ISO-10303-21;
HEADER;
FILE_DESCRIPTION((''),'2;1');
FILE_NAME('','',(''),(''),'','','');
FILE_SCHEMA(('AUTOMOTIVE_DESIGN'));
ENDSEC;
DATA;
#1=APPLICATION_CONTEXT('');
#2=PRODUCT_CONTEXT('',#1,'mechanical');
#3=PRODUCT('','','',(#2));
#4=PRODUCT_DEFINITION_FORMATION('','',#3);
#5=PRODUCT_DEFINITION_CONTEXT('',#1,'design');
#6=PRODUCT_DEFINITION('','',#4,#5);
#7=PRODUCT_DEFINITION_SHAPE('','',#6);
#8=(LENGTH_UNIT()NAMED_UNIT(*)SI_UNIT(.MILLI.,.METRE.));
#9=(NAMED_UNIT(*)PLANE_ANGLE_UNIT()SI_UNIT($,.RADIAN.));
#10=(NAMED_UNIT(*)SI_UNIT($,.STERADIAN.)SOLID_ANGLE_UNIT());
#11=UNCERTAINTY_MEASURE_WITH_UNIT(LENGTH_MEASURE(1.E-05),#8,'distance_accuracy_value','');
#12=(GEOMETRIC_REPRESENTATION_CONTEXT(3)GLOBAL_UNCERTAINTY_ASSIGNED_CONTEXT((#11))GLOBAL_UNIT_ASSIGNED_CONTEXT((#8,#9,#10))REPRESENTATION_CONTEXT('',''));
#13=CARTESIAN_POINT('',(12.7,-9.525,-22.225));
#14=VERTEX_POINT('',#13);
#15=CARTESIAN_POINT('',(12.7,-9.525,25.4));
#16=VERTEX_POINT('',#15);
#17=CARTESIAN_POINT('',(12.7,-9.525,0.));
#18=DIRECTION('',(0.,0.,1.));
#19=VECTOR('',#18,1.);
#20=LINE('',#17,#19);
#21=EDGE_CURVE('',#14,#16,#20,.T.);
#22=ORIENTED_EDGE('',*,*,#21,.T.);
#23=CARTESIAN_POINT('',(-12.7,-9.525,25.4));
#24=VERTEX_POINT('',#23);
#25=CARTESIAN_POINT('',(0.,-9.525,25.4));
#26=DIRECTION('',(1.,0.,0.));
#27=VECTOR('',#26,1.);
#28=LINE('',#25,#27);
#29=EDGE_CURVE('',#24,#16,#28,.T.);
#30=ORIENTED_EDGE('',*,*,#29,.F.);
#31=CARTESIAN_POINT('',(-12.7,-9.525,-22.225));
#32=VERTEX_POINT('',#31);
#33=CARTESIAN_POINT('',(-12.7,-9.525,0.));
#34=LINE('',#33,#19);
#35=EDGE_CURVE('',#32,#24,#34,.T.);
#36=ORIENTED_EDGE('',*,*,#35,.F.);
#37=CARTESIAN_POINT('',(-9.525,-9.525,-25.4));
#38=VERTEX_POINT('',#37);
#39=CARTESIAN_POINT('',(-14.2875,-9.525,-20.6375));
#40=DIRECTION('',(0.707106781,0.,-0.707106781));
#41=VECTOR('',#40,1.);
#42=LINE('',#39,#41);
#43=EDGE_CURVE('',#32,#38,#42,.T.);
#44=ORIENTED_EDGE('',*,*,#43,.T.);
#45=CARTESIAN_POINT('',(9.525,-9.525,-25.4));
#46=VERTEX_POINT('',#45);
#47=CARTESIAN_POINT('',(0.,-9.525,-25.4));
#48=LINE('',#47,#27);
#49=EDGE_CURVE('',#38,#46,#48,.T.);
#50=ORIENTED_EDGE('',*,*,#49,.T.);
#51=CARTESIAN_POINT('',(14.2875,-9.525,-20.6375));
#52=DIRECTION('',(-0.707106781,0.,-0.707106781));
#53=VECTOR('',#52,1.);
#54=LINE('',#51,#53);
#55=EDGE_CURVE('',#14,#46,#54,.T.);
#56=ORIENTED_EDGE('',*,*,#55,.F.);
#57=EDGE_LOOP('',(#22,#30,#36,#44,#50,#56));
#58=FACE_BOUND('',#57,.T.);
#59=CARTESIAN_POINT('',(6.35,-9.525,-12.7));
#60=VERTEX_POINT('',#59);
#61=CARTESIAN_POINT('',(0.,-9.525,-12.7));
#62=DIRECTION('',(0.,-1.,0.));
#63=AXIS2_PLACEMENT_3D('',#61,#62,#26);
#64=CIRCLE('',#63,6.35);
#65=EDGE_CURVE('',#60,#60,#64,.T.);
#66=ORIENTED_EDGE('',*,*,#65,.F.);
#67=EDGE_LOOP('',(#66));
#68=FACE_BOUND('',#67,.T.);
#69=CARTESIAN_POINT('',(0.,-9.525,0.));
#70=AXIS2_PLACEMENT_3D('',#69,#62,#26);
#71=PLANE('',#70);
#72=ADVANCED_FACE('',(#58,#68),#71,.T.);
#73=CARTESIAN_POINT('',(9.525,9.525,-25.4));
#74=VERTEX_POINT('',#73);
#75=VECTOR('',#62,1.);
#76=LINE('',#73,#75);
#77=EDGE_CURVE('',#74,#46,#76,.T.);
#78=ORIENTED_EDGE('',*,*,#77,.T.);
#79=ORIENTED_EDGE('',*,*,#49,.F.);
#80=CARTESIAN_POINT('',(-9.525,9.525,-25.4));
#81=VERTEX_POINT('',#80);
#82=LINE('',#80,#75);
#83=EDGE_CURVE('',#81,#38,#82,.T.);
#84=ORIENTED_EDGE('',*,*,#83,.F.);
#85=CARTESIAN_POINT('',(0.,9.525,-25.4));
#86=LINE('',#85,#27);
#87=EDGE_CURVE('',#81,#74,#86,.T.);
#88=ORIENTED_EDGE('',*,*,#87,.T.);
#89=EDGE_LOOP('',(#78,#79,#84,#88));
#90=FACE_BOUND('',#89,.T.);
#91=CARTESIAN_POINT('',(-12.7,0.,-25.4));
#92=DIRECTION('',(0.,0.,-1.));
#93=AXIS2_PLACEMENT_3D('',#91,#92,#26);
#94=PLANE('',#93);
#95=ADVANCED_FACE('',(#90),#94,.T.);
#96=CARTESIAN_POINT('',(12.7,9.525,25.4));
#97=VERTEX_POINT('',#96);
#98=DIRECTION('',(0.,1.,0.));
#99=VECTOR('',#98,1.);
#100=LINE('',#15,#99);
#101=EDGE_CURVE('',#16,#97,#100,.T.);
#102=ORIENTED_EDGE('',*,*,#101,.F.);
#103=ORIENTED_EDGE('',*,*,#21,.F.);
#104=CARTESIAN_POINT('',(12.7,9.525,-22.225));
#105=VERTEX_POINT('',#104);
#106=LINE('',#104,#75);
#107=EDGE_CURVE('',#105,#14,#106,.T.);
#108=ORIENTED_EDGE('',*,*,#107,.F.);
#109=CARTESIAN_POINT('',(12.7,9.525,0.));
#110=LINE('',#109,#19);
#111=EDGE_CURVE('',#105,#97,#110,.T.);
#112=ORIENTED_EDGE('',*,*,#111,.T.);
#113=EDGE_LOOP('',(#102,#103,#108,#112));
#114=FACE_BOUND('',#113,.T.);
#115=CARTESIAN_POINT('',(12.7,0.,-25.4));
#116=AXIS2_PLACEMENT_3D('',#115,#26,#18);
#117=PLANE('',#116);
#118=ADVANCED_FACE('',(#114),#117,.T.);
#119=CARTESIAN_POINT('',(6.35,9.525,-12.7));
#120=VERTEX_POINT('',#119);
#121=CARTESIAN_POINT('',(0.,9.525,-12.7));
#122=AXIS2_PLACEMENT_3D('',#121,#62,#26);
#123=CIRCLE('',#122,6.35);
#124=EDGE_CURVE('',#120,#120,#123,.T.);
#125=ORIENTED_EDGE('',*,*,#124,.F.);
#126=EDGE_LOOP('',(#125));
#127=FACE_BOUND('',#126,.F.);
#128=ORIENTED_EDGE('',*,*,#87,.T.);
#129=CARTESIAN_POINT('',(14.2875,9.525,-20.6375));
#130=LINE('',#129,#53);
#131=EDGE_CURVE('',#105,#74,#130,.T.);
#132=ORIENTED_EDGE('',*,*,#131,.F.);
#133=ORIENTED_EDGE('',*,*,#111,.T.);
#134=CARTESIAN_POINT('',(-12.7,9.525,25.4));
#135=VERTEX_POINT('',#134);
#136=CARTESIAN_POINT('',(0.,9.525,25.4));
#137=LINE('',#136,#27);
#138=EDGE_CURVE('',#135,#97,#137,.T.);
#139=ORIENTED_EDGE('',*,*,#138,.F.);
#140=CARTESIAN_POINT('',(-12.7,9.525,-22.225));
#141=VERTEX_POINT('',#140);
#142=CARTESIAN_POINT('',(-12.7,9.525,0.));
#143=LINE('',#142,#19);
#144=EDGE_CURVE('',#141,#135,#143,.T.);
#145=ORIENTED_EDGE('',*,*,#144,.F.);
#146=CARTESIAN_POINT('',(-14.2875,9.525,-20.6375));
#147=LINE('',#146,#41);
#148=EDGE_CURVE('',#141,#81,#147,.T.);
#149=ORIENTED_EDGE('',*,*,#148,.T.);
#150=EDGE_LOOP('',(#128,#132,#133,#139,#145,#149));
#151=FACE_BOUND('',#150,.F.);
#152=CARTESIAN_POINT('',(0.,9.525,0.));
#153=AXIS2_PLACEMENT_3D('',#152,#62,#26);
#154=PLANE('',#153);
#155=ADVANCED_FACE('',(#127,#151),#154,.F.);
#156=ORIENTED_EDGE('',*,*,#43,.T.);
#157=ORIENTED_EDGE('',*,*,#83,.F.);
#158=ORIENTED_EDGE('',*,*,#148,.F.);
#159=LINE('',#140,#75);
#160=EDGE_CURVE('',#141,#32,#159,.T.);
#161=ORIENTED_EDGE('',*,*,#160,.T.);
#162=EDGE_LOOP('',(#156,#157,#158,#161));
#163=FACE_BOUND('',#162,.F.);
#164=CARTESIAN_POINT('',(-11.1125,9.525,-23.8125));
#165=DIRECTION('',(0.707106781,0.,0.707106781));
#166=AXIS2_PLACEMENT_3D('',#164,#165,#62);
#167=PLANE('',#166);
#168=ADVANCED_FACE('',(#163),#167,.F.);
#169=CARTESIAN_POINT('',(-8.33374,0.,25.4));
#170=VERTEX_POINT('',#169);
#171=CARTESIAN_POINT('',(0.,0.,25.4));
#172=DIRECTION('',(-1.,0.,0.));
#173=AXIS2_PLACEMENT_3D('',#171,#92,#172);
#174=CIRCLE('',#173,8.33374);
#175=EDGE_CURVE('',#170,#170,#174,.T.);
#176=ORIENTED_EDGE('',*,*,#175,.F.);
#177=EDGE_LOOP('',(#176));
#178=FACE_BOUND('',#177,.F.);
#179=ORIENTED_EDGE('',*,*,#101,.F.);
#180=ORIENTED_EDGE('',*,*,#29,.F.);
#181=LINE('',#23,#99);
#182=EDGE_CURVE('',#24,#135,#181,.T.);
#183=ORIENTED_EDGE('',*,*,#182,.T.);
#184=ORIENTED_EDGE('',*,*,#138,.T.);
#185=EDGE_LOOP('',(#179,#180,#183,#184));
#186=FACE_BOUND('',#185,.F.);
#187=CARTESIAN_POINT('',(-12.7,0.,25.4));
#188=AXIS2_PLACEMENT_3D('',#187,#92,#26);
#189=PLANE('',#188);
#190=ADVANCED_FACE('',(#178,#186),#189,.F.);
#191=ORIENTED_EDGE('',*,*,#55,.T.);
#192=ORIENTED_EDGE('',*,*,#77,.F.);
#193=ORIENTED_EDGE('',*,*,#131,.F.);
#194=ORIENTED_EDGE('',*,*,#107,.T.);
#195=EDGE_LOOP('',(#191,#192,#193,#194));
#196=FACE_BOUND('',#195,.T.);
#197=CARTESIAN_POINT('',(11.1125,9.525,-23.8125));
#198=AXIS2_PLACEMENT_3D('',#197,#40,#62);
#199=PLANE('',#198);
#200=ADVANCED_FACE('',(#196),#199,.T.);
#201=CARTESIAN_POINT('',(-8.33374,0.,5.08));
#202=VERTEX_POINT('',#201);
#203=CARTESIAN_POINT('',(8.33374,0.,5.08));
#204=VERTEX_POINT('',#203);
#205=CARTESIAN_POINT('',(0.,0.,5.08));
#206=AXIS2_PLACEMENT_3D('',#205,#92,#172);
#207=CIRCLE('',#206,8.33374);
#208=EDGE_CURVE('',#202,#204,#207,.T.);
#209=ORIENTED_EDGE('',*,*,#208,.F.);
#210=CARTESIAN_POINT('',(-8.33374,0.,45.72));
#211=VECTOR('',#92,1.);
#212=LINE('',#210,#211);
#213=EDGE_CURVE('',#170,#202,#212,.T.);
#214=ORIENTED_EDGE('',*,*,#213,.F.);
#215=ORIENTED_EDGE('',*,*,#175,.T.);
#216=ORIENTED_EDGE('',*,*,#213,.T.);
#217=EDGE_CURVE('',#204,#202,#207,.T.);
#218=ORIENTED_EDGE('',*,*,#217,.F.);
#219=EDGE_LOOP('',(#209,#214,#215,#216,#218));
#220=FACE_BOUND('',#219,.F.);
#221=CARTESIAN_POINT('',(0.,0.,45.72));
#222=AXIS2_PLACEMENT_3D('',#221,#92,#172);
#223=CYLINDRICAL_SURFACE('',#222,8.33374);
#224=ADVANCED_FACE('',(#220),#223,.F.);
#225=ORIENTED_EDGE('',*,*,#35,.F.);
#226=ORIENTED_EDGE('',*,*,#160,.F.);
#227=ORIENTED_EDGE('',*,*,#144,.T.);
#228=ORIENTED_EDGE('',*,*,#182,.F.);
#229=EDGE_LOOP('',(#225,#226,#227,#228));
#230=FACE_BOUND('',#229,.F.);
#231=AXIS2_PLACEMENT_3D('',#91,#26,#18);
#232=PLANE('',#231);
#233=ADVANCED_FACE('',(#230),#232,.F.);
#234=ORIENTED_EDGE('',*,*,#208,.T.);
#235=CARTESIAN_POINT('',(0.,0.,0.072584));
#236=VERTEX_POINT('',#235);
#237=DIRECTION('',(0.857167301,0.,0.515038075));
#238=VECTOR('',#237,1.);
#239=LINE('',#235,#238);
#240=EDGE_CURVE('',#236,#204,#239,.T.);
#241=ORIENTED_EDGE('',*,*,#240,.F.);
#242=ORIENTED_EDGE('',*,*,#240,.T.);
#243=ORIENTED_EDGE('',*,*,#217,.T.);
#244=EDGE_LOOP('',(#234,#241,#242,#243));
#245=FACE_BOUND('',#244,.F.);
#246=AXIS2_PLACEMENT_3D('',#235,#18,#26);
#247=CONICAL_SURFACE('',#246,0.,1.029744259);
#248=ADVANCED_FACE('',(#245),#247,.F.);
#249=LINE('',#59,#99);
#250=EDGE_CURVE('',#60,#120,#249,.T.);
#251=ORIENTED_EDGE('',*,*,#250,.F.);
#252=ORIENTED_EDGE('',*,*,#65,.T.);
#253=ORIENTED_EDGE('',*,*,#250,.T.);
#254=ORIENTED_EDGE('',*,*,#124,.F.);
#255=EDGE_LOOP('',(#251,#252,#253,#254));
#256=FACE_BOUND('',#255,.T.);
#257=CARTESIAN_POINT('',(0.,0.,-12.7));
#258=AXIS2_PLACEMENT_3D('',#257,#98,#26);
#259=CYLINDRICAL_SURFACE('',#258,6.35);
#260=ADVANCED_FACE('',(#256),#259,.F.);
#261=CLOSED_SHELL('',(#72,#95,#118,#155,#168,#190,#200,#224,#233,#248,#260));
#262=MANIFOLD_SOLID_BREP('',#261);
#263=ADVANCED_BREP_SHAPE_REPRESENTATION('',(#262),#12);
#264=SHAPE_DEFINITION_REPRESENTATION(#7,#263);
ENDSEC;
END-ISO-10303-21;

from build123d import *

# Parameters (mm, degrees)
F0_W     = 25.4
F0_H     = 50.8
F0_R     = 6.35
F1_DEPTH = 9.525
F2_SIZE  = 3.175
F4_D     = 16.66748
F4_DEPTH = 20.32
F4_TIP   = 5.0074161752


with BuildPart() as f1:
    # F0 (on Front) → F1 (new body, symmetric)
    with BuildSketch(Plane.XZ):
        Rectangle(F0_W, F0_H)
        with Locations((0, -12.7)):
            Circle(F0_R, mode=Mode.SUBTRACT)
    extrude(amount=F1_DEPTH, both=True)

    # F2
    f2_edges = [f1.edges().sort_by_distance(p)[0] for p in [
        (12.7, 0, -25.4),
        (-12.7, 0, -25.4),
    ]]
    chamfer(f2_edges, length=F2_SIZE)

    # F4
    with Locations(Plane.XY.offset(25.4)):
        with Locations((0, 0)):
            Hole(F4_D / 2, depth=F4_DEPTH)
            with Locations((0, 0, -(F4_DEPTH + F4_TIP / 2))):  # 118° drill point
                Cone(0, F4_D / 2, F4_TIP, mode=Mode.SUBTRACT)


solid = f1.part
